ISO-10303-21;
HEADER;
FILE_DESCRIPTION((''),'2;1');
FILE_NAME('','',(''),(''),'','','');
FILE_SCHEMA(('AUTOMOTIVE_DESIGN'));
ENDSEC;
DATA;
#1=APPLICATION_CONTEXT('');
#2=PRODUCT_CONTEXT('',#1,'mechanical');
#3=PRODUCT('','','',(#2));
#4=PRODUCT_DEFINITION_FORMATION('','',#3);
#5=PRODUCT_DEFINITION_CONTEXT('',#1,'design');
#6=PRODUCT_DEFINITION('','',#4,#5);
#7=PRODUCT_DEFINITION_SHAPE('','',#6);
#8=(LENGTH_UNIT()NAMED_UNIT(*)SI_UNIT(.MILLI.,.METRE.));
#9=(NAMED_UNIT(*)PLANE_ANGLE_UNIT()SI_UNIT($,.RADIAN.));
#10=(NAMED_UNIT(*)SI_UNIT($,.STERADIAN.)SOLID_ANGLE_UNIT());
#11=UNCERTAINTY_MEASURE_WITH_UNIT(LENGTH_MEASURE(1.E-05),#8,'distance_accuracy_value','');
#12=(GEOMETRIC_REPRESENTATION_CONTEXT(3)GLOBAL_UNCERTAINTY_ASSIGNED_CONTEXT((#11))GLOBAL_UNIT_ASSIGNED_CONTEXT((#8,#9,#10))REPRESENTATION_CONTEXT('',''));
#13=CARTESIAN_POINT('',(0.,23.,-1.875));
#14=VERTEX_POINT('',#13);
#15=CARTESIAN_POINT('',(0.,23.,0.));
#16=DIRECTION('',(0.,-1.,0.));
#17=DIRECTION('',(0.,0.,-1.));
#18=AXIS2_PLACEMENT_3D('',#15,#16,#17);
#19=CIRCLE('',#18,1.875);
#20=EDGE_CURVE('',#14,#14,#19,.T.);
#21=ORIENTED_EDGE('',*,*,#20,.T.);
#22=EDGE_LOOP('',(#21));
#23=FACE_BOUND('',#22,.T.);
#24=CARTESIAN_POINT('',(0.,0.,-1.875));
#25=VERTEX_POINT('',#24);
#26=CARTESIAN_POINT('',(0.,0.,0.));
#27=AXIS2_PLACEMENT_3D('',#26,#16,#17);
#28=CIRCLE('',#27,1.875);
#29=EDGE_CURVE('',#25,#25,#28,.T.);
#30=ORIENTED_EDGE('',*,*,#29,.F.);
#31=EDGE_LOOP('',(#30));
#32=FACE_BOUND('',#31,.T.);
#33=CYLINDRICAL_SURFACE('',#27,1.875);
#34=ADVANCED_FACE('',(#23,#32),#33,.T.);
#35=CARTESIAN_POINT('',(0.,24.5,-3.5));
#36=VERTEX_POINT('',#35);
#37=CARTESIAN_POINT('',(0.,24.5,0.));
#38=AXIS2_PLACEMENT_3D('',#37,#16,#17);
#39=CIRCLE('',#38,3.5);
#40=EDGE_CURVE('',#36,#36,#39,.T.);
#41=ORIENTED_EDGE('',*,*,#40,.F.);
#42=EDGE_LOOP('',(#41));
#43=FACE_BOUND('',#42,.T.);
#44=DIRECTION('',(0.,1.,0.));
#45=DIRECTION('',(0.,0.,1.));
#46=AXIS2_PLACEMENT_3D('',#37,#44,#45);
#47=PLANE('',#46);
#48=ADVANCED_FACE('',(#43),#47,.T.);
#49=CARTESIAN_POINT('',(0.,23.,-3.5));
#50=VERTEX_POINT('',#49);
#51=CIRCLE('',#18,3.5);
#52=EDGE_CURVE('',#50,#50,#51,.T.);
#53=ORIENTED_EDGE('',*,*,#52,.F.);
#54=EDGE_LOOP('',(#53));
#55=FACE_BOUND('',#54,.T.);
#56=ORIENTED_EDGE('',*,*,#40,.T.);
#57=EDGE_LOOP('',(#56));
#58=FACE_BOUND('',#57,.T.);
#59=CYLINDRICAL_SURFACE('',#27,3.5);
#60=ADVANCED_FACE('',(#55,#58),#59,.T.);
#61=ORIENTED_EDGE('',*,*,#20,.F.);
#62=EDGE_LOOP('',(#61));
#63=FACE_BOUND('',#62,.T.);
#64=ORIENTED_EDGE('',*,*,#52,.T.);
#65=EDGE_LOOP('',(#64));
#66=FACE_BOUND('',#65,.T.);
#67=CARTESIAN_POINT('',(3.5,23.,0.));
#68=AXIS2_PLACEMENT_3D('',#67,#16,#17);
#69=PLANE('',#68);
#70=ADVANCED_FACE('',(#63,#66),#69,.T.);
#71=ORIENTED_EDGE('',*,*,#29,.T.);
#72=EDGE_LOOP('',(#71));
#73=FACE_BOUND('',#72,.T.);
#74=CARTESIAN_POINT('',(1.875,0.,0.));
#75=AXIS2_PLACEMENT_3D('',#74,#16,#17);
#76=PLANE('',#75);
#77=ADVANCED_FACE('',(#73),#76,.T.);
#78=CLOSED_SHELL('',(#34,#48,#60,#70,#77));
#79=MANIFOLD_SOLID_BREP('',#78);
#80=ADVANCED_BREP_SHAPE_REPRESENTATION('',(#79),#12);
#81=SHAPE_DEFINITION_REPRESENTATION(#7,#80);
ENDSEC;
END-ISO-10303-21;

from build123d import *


with BuildPart() as part:
    # Sketch2 → Revolve1 (revolve)
    with BuildSketch(Plane.XY, mode=Mode.PRIVATE) as revolve1_sk:
        Polygon((0, 0), (0, 24.5), (3.5, 24.5), (3.5, 23), (1.875, 23), (1.875, 0), align=None)
    revolve(revolve1_sk.sketch.rotate(Axis((0, 0, 0), (0, 1, 0)), 90), axis=Axis((0, 0, 0), (0, 1, 0)))


solid = part.part
